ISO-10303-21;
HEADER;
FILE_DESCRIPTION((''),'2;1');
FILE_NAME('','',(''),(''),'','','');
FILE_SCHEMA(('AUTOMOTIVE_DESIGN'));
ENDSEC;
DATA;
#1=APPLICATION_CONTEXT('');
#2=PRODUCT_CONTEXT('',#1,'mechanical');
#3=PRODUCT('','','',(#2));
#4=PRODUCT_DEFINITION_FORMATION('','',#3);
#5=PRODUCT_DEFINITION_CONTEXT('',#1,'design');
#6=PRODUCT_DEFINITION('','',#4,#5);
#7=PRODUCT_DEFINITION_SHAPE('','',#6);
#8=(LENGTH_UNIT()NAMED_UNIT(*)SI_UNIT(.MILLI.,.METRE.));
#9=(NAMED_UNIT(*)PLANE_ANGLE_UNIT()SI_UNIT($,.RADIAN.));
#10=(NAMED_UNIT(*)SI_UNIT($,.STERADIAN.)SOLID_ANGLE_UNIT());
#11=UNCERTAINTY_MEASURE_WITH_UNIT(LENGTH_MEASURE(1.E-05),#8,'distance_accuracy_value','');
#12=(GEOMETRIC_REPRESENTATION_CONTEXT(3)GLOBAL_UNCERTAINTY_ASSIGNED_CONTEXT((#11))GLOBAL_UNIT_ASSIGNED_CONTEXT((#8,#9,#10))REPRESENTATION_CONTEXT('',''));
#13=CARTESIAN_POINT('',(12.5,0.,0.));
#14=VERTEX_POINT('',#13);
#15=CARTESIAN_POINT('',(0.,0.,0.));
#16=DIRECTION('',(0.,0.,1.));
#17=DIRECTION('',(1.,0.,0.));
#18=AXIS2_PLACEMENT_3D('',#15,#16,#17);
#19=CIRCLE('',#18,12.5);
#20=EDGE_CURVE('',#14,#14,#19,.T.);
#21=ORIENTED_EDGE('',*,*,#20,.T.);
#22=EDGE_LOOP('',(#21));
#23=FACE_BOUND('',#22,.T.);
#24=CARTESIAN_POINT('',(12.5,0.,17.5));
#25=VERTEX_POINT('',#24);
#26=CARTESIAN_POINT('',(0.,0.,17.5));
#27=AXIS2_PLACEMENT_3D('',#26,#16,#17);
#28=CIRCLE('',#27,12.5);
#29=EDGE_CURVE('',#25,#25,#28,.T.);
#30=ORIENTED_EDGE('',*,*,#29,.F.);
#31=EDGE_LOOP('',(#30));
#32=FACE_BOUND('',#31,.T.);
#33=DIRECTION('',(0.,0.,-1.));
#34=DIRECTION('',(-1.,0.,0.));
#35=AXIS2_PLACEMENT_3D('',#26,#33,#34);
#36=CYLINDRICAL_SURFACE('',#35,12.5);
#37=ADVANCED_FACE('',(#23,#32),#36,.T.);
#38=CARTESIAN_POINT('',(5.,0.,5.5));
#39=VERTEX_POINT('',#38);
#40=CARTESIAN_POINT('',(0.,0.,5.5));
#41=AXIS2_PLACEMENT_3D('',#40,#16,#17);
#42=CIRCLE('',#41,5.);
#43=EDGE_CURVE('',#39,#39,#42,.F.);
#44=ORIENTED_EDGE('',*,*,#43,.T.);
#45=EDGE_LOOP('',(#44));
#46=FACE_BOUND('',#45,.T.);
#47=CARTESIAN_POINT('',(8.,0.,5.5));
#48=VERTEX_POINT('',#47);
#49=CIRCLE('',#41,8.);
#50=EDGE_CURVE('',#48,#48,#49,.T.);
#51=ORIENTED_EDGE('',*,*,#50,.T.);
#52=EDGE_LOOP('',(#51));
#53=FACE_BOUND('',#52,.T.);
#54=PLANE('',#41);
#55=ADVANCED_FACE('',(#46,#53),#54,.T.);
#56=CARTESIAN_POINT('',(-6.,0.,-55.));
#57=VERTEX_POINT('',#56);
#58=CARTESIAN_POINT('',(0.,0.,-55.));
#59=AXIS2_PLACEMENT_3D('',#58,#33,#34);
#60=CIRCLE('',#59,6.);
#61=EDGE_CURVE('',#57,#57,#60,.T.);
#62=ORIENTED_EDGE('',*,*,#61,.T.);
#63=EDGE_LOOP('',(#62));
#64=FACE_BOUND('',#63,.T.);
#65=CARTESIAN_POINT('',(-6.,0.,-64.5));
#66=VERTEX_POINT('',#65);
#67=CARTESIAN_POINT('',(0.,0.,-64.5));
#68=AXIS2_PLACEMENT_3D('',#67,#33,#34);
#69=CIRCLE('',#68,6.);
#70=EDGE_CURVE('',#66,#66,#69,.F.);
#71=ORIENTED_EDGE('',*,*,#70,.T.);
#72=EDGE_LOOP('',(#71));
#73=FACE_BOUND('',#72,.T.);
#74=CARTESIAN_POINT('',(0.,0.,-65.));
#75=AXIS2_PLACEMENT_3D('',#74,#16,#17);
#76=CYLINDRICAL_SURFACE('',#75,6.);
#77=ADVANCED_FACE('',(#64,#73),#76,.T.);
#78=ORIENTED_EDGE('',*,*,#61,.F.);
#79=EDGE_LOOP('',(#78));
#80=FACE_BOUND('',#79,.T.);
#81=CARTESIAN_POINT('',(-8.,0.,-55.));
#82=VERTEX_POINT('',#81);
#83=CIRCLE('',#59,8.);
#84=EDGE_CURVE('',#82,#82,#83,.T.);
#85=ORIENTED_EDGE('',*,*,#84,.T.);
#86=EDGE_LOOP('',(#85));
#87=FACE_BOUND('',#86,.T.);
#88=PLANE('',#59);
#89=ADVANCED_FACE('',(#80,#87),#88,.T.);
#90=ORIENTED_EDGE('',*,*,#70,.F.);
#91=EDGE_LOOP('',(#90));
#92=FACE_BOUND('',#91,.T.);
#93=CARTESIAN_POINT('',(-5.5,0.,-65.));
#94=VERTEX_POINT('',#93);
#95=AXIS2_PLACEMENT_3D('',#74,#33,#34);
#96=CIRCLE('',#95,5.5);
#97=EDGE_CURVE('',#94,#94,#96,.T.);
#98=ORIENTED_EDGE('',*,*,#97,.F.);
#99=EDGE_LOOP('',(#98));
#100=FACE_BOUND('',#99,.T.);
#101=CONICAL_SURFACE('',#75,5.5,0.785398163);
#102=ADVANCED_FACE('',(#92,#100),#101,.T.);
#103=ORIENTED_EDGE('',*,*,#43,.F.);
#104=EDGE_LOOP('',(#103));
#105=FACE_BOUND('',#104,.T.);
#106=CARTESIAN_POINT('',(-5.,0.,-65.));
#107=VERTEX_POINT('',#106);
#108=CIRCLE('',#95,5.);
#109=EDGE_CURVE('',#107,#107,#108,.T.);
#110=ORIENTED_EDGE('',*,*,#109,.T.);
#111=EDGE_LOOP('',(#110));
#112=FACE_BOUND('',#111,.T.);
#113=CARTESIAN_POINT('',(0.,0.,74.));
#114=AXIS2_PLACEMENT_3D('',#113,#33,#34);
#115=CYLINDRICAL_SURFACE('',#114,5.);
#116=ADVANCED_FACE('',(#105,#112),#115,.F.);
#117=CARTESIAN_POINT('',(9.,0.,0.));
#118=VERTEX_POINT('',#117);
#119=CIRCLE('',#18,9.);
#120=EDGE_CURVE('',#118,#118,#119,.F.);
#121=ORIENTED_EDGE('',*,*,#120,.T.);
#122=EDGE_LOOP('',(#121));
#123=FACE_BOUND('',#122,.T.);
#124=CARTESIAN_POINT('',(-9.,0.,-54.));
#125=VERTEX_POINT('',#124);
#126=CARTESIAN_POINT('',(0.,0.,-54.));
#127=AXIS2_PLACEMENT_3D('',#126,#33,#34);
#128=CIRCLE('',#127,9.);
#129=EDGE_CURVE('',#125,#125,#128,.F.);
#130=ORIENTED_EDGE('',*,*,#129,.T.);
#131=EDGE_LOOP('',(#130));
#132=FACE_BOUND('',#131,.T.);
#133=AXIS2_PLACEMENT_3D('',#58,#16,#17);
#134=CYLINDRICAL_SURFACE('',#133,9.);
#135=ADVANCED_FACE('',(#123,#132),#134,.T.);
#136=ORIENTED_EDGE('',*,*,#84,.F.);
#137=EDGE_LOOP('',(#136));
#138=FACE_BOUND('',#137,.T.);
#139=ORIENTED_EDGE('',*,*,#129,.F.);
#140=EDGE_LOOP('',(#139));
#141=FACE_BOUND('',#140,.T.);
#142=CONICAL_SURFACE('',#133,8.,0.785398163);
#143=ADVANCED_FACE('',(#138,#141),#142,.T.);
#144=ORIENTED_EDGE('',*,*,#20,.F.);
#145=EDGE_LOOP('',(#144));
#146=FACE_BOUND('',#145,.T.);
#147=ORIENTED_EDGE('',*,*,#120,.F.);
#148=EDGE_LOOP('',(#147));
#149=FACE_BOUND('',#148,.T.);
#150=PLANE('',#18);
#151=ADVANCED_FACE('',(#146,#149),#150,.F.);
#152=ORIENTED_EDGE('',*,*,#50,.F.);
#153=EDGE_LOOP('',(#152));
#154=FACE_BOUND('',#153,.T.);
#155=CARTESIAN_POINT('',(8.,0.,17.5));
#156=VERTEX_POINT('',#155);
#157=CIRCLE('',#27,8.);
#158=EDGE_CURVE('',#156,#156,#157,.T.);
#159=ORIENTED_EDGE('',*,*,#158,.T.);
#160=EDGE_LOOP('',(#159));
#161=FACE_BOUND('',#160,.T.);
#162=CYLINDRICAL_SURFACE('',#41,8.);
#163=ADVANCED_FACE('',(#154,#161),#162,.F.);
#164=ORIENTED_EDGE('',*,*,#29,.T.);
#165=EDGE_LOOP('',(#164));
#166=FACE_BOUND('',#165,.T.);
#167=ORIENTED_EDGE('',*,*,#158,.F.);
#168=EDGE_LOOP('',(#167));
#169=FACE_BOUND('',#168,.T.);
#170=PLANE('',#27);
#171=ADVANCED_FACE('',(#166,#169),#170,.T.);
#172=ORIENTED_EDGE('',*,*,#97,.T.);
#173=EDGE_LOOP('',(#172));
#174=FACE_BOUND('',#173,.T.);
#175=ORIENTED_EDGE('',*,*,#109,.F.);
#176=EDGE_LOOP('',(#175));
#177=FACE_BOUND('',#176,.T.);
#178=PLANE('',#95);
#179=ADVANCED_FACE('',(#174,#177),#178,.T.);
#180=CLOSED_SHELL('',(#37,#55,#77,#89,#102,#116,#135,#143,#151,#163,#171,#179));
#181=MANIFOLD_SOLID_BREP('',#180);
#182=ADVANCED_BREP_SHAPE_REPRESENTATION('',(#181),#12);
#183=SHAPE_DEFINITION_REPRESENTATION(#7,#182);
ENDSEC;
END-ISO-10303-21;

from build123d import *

# Parameters (mm, degrees)
SKETCH_1_R          = 12.5
EXTRUDE_1_DEPTH     = 17.5
SKETCH_2_R          = 9
EXTRUDE_2_DEPTH     = 55
SKETCH_3_R          = 6
EXTRUDE_3_DEPTH     = 10
CHAMFER_1_SIZE      = 0.5
SKETCH_4_R          = 5
CUT_EXTRUDE_1_DEPTH = 139
CHAMFER_2_SIZE      = 1
SKETCH_5_R          = 8
CUT_EXTRUDE_2_DEPTH = 12


with BuildPart() as part:
    # 草图1 → 凸台-拉伸1 (new body)
    with BuildSketch(Plane.XY):
        Circle(SKETCH_1_R)
    extrude(amount=EXTRUDE_1_DEPTH)

    # 草图2 → 凸台-拉伸2 (add)
    with BuildSketch(Plane(origin=(0, 0, 0), x_dir=(-1, 0, 0), z_dir=(0, 0, -1))):
        Circle(SKETCH_2_R)
    extrude(amount=EXTRUDE_2_DEPTH)

    # 草图3 → 凸台-拉伸3 (add)
    with BuildSketch(Plane(origin=(0, 0, -55), x_dir=(-1, 0, 0), z_dir=(0, 0, -1))):
        Circle(SKETCH_3_R)
    extrude(amount=EXTRUDE_3_DEPTH)

    # 倒角1
    chamfer_1_edges = [part.edges().sort_by_distance(p)[0] for p in [
        (6, 0, -65),
    ]]
    chamfer(chamfer_1_edges, length=CHAMFER_1_SIZE)

    # 草图4 → 切除-拉伸1 (cut)
    with BuildSketch(Plane(origin=(0, 0, -65), x_dir=(-1, 0, 0), z_dir=(0, 0, -1))):
        Circle(SKETCH_4_R)
    extrude(amount=-CUT_EXTRUDE_1_DEPTH, mode=Mode.SUBTRACT)

    # 倒角2
    chamfer_2_edges = [part.edges().sort_by_distance(p)[0] for p in [
        (9, 0, -55),
    ]]
    chamfer(chamfer_2_edges, length=CHAMFER_2_SIZE)

    # 草图5 → 切除-拉伸2 (cut)
    with BuildSketch(Plane.XY.offset(17.5)):
        Circle(SKETCH_5_R)
    extrude(amount=-CUT_EXTRUDE_2_DEPTH, mode=Mode.SUBTRACT)


solid = part.part
